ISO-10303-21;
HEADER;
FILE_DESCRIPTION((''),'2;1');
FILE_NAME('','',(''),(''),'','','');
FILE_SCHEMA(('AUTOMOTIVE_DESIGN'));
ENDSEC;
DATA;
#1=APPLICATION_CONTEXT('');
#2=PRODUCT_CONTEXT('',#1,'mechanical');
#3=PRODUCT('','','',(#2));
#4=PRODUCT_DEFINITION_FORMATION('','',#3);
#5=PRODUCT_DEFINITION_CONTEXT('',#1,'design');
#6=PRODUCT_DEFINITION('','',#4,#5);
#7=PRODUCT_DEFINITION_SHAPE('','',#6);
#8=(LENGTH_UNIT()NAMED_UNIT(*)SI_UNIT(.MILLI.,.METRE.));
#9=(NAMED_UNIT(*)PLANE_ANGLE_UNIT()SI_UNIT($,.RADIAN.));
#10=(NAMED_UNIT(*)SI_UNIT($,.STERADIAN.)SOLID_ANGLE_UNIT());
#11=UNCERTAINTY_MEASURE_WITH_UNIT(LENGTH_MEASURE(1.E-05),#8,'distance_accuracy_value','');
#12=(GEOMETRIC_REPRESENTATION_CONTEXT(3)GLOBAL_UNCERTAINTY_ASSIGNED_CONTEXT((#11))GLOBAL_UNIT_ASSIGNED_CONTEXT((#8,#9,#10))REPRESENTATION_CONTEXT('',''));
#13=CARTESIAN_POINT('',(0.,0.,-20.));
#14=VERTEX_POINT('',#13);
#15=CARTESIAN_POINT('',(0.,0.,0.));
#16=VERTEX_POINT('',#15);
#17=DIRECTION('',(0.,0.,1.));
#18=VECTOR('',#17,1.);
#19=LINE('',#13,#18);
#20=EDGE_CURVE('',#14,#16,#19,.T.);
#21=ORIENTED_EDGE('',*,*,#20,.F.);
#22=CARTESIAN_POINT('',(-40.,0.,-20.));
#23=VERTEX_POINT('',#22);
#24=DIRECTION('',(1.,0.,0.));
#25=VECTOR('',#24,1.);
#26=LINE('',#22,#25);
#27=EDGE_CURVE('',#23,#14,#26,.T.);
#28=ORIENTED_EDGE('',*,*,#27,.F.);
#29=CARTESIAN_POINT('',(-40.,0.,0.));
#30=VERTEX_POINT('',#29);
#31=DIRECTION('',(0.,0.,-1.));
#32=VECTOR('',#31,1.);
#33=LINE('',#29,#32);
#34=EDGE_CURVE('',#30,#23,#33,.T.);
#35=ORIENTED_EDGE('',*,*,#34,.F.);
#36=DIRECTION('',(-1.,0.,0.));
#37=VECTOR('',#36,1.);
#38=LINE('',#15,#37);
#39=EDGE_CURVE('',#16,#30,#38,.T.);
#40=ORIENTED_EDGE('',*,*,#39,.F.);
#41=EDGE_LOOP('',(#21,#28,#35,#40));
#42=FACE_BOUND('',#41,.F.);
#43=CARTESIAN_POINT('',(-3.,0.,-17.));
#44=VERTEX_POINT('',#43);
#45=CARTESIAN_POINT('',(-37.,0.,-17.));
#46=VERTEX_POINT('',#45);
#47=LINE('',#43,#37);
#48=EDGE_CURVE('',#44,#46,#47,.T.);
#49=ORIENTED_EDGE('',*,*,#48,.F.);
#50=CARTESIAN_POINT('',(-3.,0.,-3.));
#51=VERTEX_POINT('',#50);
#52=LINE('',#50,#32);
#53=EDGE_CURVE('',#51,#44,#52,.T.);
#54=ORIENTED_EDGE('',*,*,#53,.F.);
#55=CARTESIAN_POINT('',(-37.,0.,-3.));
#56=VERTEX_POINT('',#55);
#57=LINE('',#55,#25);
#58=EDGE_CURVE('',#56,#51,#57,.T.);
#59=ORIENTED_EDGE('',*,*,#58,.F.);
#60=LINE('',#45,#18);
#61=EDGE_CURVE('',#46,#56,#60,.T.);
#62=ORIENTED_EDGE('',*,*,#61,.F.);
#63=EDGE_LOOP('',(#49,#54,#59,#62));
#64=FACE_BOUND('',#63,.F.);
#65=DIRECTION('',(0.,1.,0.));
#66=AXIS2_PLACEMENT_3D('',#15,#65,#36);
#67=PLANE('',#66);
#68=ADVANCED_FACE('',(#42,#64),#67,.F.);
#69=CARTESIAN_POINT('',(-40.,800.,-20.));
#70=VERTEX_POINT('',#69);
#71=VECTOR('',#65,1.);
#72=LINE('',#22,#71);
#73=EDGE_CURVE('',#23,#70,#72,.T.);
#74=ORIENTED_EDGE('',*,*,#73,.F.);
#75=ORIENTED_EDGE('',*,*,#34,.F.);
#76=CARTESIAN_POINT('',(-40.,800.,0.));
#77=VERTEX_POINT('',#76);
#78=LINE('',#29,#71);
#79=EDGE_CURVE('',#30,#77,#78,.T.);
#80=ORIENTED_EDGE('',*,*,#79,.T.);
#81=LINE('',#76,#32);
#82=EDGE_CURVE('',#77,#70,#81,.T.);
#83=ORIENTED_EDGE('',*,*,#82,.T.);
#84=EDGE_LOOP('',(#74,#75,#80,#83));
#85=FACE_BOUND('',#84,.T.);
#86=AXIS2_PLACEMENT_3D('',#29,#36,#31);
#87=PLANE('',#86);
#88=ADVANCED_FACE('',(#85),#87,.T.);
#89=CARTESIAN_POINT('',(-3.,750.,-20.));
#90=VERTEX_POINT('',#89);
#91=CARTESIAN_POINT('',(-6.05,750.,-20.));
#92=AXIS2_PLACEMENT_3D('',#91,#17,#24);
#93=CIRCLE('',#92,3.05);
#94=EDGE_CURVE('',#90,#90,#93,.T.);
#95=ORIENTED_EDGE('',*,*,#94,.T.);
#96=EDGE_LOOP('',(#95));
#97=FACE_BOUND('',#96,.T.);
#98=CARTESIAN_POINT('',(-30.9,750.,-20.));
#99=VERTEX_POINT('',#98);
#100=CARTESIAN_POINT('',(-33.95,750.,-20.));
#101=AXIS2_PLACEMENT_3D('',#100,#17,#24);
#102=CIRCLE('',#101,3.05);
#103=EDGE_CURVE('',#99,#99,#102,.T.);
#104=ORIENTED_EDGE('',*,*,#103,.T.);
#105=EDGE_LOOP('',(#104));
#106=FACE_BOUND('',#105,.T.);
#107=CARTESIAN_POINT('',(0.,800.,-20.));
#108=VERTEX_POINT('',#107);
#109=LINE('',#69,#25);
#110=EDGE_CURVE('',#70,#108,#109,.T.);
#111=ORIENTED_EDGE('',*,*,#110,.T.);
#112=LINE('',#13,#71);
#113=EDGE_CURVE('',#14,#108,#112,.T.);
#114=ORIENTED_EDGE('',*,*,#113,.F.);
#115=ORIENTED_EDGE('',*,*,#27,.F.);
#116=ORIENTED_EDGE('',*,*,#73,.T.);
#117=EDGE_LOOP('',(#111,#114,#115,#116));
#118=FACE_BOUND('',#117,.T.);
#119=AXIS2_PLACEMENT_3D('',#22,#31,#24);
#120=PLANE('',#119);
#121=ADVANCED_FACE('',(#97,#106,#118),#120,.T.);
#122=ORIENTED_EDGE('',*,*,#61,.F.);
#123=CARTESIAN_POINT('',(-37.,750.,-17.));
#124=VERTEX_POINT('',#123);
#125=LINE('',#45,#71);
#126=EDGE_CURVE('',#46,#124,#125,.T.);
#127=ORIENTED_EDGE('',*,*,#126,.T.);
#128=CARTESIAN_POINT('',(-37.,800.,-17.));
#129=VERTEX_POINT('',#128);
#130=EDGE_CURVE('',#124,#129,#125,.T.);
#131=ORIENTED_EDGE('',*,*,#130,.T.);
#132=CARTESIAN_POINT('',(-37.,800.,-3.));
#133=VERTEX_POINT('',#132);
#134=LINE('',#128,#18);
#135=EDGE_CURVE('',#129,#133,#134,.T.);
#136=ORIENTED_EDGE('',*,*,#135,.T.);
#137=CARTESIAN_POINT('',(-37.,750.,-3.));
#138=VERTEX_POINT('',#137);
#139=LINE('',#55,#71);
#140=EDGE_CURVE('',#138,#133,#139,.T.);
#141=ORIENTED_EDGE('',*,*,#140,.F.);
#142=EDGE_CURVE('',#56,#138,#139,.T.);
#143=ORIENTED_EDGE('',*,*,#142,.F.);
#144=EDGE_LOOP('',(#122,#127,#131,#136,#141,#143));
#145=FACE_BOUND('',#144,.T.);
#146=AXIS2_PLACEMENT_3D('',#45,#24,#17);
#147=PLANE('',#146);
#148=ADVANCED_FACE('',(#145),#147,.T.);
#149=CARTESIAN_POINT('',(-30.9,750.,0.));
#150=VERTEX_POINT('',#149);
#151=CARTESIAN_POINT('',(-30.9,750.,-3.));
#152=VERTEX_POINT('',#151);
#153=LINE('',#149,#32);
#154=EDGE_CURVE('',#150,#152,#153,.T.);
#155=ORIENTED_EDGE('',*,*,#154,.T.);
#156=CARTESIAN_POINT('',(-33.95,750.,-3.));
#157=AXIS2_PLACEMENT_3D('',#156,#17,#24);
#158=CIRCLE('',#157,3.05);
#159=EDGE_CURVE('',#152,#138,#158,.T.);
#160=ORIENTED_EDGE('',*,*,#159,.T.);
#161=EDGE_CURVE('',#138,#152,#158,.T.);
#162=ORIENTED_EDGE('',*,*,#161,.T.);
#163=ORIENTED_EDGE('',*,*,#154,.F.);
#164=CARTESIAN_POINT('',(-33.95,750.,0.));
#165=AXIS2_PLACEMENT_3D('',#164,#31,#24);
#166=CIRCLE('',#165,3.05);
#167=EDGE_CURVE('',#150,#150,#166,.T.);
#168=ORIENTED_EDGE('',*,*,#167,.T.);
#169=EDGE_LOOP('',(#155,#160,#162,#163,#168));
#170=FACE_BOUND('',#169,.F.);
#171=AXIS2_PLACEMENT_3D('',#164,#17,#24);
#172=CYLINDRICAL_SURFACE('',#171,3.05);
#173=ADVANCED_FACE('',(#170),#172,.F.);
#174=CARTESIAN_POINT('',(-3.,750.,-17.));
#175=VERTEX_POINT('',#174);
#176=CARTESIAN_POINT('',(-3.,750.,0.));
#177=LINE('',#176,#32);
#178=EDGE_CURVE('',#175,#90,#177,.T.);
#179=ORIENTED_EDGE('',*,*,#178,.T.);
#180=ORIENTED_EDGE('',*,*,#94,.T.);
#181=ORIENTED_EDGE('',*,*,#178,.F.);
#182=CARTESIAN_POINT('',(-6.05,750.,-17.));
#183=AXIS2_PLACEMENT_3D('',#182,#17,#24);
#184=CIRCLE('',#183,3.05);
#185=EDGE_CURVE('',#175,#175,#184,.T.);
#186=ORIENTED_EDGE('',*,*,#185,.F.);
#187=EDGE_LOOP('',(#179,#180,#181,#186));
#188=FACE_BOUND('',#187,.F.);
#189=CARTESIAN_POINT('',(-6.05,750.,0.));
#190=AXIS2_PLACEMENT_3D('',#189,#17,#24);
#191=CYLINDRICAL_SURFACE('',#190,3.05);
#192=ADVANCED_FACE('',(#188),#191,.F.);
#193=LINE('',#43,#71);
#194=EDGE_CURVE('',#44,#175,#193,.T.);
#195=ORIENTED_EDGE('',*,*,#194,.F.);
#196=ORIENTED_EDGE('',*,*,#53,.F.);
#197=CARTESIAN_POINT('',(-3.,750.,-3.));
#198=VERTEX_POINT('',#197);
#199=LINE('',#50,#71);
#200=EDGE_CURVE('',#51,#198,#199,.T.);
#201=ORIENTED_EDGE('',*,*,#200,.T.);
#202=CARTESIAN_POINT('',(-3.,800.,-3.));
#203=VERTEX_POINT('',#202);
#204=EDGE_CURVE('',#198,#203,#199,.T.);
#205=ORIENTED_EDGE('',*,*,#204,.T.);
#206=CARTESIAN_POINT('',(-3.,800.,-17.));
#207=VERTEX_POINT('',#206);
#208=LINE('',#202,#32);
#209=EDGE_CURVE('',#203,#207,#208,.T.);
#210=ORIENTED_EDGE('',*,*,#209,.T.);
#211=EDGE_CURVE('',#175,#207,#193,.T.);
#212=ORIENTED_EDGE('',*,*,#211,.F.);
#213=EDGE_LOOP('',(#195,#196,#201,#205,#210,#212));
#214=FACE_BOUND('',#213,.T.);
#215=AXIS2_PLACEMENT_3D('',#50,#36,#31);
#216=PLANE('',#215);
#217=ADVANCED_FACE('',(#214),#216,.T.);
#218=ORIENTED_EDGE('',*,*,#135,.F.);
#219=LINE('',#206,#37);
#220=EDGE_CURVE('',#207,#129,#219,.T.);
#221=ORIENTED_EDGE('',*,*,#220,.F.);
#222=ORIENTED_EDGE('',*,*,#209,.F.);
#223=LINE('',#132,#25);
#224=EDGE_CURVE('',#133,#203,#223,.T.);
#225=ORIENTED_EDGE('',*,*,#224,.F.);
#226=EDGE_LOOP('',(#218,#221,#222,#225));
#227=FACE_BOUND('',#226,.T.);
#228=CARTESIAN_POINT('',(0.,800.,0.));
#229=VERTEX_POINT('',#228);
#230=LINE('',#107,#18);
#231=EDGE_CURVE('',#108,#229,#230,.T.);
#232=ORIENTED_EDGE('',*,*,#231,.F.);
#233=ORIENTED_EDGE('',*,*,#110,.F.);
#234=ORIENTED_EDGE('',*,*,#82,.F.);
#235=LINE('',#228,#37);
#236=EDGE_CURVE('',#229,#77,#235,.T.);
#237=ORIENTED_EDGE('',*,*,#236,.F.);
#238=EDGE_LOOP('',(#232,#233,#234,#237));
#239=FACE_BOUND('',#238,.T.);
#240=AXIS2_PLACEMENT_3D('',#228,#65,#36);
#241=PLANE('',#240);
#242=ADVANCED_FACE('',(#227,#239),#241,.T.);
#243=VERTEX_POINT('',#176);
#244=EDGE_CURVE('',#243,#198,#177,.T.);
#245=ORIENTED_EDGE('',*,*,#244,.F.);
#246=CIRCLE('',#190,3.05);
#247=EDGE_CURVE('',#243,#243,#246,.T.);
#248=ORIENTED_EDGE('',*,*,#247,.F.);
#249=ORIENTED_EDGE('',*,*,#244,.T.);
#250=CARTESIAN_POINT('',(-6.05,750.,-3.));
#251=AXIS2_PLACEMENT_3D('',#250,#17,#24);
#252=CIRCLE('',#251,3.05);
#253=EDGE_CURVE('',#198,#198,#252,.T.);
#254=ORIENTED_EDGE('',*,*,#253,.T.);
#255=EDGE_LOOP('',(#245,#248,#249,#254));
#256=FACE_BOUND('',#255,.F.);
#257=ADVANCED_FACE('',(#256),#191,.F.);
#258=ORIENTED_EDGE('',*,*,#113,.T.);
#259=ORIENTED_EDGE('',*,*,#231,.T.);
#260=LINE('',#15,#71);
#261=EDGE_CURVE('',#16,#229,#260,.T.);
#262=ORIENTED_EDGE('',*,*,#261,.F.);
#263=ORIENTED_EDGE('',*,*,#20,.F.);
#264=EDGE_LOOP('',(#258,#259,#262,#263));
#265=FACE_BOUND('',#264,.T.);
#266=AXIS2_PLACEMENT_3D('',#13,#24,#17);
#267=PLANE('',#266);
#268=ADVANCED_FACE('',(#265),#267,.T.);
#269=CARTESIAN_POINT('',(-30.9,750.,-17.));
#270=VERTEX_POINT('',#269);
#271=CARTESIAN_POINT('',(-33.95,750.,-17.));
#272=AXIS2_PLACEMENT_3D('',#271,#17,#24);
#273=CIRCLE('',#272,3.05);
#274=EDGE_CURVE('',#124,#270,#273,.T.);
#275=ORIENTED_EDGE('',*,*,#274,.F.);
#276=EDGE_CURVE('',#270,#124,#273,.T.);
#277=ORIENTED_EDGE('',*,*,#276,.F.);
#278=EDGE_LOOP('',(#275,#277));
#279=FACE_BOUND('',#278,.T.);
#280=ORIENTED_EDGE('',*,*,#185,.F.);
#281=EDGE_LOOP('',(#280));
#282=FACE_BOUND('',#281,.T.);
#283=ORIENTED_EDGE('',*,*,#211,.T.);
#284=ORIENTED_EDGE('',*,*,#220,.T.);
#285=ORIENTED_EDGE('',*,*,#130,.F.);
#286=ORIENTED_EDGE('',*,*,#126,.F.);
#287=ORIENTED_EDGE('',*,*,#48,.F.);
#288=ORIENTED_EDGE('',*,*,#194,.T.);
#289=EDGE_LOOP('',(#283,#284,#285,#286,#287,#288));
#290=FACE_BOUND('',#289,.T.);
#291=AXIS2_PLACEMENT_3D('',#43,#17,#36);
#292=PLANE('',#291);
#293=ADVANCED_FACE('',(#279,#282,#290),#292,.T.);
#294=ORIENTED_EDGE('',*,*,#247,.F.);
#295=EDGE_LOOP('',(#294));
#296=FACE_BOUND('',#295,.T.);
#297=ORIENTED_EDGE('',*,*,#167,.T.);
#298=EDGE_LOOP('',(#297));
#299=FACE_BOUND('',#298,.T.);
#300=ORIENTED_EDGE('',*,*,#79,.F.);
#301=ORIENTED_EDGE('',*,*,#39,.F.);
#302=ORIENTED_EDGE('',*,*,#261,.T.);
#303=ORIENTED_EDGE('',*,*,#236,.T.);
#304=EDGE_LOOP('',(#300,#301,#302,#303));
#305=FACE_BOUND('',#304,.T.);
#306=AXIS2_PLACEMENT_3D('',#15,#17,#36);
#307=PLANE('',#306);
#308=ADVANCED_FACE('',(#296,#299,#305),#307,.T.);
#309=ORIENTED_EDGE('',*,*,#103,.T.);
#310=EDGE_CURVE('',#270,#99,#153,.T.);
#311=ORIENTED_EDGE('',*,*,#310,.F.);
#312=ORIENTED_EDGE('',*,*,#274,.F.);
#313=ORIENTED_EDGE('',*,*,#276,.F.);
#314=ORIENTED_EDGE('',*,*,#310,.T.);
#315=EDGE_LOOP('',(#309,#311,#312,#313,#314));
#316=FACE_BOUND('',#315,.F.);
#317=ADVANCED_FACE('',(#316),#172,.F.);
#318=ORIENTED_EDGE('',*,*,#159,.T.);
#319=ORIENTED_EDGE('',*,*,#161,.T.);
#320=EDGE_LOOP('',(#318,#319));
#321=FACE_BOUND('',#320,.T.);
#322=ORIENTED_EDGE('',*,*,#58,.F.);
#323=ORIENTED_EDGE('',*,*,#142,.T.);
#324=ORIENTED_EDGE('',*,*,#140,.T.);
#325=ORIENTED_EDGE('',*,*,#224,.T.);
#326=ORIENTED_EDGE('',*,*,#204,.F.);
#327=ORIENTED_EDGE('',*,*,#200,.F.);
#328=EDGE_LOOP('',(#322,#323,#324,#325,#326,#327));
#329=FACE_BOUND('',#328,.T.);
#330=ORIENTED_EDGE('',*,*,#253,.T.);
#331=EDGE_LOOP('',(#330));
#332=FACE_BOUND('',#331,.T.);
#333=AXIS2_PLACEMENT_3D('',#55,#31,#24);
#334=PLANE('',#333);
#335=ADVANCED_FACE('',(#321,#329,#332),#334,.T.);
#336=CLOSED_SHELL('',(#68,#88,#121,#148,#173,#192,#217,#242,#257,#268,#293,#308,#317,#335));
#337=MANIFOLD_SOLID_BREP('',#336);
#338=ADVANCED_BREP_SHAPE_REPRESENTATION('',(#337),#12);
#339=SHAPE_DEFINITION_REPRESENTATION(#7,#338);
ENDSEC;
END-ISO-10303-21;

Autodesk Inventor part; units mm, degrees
ref_plane "YZ Plane" through (0, 0, 0) normal (1, 0, 0) x (0, 1, 0)
ref_plane "XZ Plane" through (0, 0, 0) normal (0, 1, 0) x (-1, 0, 0)
ref_plane "XY Plane" through (0, 0, 0) normal (0, 0, 1) x (1, 0, 0)
sketch "Эскиз1" plane through (0, 0, 0) normal (0, 1, 0) x (-1, 0, 0)
  line L0 (0, 0) -> (40, 0)
  line L1 (40, 0) -> (40, -20)
  line L2 (40, -20) -> (0, -20)
  line L3 (0, -20) -> (0, 0)
  line L4 (37, -3) -> (3, -3)
  line L5 (3, -3) -> (3, -17)
  line L6 (3, -17) -> (37, -17)
  line L7 (37, -17) -> (37, -3)
  dimension "d0" = 20
  dimension "d1" = 40
  dimension "d2" = 3
extrude "Выдавливание1" add sketch "Эскиз1" along normal blind 800
sketch "Эскиз2" plane through (-40, 0, 0) normal (0, 0, 1) x (1, 0, 0)
  circle A0 centre (6.05, 750) radius 3.05
  line L0 (3, 0) -> (3, 800) projected
  line L1 (0, 800) -> (40, 800) projected
  line L2 (20, 819.3664) -> (20, 691.613)
  circle A1 centre (33.95, 750) radius 3.05
  point P0 (40, 0)
  dimension "d5" = 50
  dimension "d6" = 6.1
extrude "Выдавливание2" cut sketch "Эскиз2" against normal through all
equation "\"d0\" = width_profile_tibea"
equation "\"d1\" = hight_profile_tibea"
equation "\"d2\" = thickness_profile_tibea"
equation "\"d3\" = length_profile_tibia"
equation "\"d6\" = d_main_screw_holes"
equation "\"width_profile_tibea\" = 20"
equation "\"hight_profile_tibea\" = 40"
equation "\"length_profile_tibia\" = 800"
equation "\"thickness_profile_tibea\" = 3"
equation "\"tolerance_plazma\" = 0.1"
equation "\"d_main_screw_holes\" = 6.1"
equation "\"thickness_steel\" = 3"
equation "\"hight_shaft_shift\" = 37"
equation "\"thickness_profile_femur\" = 3"
equation "\"width_shaft_shift\" = 35"
equation "\"width_flattened_surface\" = 12"
properties part number "tibea_profile" material "Алюминий"
